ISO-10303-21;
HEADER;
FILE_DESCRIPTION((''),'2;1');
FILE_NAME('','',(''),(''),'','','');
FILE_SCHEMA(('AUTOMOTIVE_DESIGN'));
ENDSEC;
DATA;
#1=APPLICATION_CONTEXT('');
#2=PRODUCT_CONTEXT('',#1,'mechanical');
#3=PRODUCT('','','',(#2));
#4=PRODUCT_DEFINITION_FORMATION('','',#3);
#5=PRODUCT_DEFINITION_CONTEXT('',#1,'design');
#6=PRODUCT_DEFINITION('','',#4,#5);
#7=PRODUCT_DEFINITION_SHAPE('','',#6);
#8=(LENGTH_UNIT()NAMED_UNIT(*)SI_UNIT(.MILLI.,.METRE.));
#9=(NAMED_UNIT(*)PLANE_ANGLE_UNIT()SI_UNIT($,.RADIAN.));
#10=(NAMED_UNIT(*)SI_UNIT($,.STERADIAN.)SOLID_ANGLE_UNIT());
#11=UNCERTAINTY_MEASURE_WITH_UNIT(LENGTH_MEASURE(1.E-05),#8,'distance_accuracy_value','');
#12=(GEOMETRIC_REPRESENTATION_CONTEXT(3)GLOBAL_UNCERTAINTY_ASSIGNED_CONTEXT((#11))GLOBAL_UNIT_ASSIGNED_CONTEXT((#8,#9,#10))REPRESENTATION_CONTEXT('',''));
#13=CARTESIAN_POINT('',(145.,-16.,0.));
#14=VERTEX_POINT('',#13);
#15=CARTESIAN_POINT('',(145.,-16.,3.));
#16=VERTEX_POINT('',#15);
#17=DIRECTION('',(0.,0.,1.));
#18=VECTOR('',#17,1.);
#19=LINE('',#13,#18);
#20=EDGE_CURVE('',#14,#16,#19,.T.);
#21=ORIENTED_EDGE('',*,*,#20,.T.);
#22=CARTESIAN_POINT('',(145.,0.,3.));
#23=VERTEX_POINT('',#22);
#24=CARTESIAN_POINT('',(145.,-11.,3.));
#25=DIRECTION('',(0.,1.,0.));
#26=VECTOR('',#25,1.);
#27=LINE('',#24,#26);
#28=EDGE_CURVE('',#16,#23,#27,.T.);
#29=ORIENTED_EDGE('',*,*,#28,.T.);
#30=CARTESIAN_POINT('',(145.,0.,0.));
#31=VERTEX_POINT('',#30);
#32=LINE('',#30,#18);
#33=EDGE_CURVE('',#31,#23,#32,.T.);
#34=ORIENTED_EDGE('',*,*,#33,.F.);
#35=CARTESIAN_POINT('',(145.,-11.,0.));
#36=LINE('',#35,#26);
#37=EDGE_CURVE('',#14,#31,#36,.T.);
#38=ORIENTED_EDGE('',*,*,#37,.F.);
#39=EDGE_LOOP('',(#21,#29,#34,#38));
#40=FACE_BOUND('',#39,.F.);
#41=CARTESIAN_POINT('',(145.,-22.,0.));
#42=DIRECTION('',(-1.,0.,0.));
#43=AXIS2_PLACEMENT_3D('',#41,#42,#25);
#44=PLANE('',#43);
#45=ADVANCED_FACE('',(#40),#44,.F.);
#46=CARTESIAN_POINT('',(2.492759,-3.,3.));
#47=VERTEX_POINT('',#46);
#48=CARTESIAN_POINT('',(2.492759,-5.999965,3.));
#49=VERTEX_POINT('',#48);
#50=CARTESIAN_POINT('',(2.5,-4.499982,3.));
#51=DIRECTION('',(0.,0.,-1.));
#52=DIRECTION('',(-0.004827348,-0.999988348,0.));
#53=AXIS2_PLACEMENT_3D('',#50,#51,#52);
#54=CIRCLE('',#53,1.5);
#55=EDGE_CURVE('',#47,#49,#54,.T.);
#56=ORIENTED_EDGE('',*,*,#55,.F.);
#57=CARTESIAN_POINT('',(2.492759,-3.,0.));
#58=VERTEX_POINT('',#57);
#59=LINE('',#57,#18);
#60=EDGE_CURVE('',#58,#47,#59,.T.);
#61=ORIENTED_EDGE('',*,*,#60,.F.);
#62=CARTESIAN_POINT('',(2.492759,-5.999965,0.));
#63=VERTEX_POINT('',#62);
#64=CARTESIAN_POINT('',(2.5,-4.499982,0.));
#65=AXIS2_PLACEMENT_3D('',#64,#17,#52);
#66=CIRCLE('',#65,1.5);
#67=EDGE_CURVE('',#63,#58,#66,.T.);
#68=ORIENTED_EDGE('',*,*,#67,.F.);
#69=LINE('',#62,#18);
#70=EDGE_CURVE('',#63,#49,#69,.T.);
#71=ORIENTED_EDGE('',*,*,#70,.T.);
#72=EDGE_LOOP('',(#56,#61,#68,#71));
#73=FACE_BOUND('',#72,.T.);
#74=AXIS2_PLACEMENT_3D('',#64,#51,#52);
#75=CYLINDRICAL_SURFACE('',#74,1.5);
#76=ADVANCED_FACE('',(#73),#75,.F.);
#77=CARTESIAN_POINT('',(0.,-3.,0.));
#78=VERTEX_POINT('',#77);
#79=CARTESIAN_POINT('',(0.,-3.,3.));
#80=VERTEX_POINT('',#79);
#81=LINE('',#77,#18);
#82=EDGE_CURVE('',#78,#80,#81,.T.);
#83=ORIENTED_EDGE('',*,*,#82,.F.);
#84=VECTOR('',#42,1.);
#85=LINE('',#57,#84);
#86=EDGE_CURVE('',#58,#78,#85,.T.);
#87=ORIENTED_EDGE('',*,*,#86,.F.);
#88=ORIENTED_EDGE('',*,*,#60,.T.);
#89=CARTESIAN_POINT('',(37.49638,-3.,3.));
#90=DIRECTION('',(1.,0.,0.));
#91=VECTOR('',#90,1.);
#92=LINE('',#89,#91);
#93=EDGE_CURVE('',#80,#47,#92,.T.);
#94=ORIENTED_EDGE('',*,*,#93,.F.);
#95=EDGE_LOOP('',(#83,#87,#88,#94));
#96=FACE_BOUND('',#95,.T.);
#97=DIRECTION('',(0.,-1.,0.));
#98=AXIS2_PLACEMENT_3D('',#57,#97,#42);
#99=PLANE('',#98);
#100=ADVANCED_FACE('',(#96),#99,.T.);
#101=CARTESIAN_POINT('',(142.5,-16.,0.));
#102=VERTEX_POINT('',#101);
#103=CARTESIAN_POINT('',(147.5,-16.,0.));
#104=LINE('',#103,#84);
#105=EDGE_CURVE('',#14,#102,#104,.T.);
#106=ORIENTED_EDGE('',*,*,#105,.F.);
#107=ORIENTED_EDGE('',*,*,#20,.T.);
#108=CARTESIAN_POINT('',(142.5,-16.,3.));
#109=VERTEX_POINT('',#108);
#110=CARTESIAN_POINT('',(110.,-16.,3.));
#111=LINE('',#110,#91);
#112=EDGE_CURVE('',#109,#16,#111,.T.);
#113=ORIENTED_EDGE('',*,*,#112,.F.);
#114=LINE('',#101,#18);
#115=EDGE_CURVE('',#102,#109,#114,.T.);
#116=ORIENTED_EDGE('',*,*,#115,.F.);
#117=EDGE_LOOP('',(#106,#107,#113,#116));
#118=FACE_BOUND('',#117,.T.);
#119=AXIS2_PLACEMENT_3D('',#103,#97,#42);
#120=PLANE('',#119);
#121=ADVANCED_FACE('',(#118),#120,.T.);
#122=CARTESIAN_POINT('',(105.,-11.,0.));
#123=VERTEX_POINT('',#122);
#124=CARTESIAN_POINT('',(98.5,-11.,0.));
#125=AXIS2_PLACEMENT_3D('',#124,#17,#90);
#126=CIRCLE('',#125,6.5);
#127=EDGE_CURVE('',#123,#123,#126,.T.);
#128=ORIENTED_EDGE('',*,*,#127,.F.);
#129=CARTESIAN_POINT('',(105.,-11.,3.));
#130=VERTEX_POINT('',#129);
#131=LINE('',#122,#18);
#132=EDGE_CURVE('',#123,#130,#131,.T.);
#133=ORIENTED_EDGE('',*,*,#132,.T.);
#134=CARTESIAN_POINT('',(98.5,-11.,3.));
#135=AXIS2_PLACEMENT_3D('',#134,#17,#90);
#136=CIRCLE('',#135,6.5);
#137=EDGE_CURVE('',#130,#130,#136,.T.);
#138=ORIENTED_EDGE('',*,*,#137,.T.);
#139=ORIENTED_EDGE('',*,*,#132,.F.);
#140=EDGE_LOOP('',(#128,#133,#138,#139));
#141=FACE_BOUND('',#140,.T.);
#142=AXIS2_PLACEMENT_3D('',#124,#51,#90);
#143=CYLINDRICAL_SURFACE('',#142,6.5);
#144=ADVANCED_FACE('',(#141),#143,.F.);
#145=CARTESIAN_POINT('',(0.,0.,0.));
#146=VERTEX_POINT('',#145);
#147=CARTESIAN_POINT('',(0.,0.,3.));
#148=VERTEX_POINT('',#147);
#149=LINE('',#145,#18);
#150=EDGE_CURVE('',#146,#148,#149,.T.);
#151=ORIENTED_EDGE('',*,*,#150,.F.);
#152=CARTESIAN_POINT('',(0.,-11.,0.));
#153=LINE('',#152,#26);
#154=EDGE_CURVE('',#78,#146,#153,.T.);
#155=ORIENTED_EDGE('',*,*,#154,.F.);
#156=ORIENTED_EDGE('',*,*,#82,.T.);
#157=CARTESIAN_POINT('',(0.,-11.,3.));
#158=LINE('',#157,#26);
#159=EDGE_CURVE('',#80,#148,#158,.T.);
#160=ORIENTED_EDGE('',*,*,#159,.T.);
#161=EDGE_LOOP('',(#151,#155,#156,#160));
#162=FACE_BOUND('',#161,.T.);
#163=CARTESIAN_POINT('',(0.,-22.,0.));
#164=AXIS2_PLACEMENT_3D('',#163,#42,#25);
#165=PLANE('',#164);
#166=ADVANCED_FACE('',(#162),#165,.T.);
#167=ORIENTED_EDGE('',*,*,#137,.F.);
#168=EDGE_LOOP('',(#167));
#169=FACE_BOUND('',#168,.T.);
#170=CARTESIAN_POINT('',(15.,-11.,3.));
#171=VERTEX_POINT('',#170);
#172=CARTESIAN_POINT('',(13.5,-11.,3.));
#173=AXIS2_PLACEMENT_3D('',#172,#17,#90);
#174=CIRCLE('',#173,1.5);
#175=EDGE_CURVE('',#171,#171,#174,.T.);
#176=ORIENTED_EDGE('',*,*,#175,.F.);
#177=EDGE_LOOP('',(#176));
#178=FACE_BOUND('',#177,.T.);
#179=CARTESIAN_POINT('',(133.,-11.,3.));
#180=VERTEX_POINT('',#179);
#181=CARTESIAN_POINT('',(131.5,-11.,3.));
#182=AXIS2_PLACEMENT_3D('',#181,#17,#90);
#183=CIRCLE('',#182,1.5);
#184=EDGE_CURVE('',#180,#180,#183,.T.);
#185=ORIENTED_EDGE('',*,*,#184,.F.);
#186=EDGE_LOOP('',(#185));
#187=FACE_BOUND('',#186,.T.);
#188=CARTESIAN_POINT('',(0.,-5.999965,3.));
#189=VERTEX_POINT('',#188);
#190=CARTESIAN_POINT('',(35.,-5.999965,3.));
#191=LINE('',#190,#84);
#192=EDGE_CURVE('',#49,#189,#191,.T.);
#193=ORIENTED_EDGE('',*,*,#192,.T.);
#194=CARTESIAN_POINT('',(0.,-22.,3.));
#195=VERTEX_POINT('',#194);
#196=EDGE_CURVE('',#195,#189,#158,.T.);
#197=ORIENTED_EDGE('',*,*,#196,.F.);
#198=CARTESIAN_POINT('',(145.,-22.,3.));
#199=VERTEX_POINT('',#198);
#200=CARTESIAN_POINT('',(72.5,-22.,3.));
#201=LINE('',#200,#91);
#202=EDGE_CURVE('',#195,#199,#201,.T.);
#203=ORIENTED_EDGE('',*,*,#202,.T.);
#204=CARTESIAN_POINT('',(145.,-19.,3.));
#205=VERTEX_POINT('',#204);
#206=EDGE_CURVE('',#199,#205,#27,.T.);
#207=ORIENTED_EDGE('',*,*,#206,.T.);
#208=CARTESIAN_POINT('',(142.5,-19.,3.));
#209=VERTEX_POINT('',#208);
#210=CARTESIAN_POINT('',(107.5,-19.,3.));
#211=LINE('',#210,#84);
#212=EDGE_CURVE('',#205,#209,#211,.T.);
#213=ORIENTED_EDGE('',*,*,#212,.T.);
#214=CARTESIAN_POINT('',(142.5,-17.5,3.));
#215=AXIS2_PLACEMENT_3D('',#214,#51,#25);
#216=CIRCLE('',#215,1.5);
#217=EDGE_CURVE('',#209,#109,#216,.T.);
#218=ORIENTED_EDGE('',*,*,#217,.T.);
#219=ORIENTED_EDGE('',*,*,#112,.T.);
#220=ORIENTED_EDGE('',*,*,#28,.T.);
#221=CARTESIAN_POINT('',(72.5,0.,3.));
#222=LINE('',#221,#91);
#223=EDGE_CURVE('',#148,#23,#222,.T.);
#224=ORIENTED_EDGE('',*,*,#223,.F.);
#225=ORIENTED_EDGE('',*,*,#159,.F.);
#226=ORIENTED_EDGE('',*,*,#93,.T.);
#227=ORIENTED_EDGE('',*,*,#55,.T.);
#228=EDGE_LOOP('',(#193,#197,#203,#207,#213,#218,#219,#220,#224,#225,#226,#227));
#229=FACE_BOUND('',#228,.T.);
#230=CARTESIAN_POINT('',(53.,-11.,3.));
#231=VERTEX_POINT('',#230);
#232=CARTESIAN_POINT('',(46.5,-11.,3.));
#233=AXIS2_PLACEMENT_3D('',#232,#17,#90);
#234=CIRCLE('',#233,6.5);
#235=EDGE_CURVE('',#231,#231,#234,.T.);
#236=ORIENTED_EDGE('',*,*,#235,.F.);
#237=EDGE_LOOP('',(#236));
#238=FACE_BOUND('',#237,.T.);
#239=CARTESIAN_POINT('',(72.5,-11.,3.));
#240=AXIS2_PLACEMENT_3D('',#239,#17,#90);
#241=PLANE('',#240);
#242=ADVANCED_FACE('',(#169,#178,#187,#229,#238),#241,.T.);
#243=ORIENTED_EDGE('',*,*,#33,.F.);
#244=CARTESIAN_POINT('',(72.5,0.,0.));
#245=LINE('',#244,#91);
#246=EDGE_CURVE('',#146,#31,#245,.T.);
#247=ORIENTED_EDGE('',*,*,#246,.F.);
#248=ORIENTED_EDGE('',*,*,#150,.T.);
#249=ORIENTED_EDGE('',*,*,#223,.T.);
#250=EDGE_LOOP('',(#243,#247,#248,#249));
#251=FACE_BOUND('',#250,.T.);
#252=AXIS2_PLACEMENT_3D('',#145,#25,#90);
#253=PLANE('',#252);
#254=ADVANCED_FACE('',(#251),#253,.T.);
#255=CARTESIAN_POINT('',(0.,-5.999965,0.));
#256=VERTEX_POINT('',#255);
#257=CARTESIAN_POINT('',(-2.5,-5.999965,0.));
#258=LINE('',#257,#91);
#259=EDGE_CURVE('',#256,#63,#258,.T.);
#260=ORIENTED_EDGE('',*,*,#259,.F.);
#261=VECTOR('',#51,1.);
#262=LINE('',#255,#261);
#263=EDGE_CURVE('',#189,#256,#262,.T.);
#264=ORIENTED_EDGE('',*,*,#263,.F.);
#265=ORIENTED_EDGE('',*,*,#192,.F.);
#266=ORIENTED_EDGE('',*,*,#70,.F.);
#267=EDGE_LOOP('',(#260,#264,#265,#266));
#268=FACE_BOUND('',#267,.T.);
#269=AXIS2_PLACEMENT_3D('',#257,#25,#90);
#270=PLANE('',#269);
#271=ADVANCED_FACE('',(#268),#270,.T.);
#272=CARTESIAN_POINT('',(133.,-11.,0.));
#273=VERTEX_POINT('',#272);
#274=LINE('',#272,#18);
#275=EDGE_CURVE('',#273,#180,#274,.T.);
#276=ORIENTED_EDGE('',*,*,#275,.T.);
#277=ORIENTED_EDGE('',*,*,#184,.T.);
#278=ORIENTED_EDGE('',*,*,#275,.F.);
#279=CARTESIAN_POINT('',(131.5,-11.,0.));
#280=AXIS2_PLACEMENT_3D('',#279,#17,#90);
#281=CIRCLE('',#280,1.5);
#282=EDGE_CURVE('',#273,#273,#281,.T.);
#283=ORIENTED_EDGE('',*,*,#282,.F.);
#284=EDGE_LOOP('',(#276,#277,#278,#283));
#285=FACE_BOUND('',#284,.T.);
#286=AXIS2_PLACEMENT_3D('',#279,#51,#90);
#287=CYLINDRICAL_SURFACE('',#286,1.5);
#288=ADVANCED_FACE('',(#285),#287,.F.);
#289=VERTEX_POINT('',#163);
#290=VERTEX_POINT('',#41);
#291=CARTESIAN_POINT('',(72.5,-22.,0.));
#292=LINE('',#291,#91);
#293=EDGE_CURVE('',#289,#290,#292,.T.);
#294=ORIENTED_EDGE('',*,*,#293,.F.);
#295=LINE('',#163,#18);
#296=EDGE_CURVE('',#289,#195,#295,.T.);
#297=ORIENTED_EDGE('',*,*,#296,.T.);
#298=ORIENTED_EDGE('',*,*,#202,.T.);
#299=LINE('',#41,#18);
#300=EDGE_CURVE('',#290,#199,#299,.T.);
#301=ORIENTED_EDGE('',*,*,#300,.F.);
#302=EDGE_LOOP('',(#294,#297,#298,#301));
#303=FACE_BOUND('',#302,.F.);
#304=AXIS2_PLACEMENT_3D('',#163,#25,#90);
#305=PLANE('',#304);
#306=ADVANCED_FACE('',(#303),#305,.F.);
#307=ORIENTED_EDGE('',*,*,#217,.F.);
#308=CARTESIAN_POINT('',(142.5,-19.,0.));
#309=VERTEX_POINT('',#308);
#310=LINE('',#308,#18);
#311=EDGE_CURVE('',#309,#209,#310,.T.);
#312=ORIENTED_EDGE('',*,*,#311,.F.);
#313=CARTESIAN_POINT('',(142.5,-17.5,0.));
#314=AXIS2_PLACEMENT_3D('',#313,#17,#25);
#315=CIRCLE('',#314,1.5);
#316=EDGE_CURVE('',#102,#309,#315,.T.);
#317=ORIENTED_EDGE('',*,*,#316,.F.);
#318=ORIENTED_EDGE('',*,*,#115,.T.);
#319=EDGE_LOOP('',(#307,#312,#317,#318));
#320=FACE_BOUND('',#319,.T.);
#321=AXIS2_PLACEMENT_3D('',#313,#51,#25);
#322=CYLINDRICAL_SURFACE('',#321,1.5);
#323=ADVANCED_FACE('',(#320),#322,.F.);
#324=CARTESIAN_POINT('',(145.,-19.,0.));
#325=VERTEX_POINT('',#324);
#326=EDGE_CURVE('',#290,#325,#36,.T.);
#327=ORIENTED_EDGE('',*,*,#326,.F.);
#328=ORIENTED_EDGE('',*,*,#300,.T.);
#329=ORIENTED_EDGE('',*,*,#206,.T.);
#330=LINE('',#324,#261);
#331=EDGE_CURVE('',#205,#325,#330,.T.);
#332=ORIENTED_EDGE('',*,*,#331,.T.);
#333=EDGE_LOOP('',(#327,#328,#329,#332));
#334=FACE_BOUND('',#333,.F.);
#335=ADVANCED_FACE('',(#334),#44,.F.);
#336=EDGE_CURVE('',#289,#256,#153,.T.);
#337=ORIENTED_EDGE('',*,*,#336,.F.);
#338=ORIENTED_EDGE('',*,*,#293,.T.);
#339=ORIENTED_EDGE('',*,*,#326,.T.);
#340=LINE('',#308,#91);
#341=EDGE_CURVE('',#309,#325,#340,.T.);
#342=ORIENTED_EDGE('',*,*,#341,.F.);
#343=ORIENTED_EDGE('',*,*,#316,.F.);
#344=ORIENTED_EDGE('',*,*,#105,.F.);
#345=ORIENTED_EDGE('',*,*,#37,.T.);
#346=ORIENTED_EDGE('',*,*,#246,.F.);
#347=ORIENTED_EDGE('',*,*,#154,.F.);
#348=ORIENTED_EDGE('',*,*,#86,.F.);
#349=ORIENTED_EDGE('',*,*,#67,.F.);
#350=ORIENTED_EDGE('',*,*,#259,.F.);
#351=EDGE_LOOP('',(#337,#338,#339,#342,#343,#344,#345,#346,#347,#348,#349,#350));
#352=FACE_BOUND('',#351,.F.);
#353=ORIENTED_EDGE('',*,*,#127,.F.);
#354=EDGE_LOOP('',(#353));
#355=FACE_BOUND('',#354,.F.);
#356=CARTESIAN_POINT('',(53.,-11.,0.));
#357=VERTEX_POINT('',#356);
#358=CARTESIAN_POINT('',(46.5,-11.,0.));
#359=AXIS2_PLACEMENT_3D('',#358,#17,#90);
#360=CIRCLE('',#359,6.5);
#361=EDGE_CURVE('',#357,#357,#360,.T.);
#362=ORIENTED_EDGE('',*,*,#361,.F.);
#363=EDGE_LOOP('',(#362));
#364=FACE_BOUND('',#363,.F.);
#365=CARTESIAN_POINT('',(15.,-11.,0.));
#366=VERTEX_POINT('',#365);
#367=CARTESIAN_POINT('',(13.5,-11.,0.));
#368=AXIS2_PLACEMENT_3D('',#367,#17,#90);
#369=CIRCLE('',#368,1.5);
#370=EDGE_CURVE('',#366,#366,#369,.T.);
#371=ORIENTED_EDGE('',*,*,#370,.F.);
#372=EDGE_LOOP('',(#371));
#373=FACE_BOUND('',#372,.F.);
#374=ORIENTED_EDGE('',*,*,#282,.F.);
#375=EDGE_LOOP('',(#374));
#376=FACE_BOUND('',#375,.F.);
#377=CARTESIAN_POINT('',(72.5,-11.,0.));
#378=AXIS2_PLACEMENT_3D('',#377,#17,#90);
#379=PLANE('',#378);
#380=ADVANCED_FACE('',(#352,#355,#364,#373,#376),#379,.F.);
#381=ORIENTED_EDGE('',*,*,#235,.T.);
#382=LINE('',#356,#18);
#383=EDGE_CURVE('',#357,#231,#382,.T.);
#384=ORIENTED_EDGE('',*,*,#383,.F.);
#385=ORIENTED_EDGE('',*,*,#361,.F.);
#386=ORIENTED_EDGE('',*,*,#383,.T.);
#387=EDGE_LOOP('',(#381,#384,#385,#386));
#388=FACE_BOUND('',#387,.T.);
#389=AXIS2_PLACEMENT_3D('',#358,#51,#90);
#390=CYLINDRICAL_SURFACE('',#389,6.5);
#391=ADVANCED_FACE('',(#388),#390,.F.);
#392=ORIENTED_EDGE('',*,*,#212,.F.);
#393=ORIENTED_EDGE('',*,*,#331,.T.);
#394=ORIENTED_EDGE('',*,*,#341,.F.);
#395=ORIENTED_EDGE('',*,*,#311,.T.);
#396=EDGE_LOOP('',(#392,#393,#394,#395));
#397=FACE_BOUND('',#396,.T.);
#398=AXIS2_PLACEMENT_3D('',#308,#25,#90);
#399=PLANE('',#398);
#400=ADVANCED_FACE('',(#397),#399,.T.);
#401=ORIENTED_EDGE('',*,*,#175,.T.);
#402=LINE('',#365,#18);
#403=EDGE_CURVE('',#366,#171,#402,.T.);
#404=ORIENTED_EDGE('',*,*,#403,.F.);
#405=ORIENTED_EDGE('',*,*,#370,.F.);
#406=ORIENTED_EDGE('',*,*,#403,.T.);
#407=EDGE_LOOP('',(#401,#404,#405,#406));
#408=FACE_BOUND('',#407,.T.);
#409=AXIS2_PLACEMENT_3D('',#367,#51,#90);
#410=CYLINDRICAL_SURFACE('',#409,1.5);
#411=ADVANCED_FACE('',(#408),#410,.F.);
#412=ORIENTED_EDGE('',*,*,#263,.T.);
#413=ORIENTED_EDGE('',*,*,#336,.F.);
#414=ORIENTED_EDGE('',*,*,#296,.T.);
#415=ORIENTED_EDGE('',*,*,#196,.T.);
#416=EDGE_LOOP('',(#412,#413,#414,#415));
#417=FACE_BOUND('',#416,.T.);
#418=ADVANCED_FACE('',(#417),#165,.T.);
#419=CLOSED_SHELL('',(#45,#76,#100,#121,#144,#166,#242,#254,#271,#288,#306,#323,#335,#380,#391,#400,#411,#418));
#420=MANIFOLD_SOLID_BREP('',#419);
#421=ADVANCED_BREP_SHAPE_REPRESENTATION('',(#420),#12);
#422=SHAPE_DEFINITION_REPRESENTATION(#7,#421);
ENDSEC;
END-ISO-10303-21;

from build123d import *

# Parameters (mm, degrees)
F0_W     = 145
F0_H     = 22
F0_R     = 1.5
F0_R_2   = 6.5
F1_DEPTH = 3
F3_DEPTH = 25


with BuildPart() as f1:
    # F0 (on Top) → F1 (new body)
    with BuildSketch(Plane.XY):
        with Locations((72.5, -11)):
            Rectangle(F0_W, F0_H)
        with Locations((13.5, -11)):
            Circle(F0_R, mode=Mode.SUBTRACT)
        with Locations((46.5, -11)):
            Circle(F0_R_2, mode=Mode.SUBTRACT)
        with Locations((98.5, -11)):
            Circle(F0_R_2, mode=Mode.SUBTRACT)
        with Locations((131.5, -11)):
            Circle(F0_R, mode=Mode.SUBTRACT)
    extrude(amount=F1_DEPTH)

    # F2 (on Top) → F3 (cut)
    with BuildSketch(Plane.XY):
        with BuildLine():
            Line((-2.5, -5.999965), (2.492759, -5.999965))
            ThreePointArc((2.492759, -5.999965), (4, -4.499983), (2.492759, -3))
            Line((2.492759, -3), (-2.5, -3))
            Line((-2.5, -3), (-2.5, -5.999965))
        make_face()
        with BuildLine():
            Line((147.5, -16), (142.5, -16))
            ThreePointArc((142.5, -16), (141, -17.5), (142.5, -19))
            Line((142.5, -19), (147.5, -19))
            Line((147.5, -19), (147.5, -16))
        make_face()
    extrude(amount=F3_DEPTH, mode=Mode.SUBTRACT)


solid = f1.part
